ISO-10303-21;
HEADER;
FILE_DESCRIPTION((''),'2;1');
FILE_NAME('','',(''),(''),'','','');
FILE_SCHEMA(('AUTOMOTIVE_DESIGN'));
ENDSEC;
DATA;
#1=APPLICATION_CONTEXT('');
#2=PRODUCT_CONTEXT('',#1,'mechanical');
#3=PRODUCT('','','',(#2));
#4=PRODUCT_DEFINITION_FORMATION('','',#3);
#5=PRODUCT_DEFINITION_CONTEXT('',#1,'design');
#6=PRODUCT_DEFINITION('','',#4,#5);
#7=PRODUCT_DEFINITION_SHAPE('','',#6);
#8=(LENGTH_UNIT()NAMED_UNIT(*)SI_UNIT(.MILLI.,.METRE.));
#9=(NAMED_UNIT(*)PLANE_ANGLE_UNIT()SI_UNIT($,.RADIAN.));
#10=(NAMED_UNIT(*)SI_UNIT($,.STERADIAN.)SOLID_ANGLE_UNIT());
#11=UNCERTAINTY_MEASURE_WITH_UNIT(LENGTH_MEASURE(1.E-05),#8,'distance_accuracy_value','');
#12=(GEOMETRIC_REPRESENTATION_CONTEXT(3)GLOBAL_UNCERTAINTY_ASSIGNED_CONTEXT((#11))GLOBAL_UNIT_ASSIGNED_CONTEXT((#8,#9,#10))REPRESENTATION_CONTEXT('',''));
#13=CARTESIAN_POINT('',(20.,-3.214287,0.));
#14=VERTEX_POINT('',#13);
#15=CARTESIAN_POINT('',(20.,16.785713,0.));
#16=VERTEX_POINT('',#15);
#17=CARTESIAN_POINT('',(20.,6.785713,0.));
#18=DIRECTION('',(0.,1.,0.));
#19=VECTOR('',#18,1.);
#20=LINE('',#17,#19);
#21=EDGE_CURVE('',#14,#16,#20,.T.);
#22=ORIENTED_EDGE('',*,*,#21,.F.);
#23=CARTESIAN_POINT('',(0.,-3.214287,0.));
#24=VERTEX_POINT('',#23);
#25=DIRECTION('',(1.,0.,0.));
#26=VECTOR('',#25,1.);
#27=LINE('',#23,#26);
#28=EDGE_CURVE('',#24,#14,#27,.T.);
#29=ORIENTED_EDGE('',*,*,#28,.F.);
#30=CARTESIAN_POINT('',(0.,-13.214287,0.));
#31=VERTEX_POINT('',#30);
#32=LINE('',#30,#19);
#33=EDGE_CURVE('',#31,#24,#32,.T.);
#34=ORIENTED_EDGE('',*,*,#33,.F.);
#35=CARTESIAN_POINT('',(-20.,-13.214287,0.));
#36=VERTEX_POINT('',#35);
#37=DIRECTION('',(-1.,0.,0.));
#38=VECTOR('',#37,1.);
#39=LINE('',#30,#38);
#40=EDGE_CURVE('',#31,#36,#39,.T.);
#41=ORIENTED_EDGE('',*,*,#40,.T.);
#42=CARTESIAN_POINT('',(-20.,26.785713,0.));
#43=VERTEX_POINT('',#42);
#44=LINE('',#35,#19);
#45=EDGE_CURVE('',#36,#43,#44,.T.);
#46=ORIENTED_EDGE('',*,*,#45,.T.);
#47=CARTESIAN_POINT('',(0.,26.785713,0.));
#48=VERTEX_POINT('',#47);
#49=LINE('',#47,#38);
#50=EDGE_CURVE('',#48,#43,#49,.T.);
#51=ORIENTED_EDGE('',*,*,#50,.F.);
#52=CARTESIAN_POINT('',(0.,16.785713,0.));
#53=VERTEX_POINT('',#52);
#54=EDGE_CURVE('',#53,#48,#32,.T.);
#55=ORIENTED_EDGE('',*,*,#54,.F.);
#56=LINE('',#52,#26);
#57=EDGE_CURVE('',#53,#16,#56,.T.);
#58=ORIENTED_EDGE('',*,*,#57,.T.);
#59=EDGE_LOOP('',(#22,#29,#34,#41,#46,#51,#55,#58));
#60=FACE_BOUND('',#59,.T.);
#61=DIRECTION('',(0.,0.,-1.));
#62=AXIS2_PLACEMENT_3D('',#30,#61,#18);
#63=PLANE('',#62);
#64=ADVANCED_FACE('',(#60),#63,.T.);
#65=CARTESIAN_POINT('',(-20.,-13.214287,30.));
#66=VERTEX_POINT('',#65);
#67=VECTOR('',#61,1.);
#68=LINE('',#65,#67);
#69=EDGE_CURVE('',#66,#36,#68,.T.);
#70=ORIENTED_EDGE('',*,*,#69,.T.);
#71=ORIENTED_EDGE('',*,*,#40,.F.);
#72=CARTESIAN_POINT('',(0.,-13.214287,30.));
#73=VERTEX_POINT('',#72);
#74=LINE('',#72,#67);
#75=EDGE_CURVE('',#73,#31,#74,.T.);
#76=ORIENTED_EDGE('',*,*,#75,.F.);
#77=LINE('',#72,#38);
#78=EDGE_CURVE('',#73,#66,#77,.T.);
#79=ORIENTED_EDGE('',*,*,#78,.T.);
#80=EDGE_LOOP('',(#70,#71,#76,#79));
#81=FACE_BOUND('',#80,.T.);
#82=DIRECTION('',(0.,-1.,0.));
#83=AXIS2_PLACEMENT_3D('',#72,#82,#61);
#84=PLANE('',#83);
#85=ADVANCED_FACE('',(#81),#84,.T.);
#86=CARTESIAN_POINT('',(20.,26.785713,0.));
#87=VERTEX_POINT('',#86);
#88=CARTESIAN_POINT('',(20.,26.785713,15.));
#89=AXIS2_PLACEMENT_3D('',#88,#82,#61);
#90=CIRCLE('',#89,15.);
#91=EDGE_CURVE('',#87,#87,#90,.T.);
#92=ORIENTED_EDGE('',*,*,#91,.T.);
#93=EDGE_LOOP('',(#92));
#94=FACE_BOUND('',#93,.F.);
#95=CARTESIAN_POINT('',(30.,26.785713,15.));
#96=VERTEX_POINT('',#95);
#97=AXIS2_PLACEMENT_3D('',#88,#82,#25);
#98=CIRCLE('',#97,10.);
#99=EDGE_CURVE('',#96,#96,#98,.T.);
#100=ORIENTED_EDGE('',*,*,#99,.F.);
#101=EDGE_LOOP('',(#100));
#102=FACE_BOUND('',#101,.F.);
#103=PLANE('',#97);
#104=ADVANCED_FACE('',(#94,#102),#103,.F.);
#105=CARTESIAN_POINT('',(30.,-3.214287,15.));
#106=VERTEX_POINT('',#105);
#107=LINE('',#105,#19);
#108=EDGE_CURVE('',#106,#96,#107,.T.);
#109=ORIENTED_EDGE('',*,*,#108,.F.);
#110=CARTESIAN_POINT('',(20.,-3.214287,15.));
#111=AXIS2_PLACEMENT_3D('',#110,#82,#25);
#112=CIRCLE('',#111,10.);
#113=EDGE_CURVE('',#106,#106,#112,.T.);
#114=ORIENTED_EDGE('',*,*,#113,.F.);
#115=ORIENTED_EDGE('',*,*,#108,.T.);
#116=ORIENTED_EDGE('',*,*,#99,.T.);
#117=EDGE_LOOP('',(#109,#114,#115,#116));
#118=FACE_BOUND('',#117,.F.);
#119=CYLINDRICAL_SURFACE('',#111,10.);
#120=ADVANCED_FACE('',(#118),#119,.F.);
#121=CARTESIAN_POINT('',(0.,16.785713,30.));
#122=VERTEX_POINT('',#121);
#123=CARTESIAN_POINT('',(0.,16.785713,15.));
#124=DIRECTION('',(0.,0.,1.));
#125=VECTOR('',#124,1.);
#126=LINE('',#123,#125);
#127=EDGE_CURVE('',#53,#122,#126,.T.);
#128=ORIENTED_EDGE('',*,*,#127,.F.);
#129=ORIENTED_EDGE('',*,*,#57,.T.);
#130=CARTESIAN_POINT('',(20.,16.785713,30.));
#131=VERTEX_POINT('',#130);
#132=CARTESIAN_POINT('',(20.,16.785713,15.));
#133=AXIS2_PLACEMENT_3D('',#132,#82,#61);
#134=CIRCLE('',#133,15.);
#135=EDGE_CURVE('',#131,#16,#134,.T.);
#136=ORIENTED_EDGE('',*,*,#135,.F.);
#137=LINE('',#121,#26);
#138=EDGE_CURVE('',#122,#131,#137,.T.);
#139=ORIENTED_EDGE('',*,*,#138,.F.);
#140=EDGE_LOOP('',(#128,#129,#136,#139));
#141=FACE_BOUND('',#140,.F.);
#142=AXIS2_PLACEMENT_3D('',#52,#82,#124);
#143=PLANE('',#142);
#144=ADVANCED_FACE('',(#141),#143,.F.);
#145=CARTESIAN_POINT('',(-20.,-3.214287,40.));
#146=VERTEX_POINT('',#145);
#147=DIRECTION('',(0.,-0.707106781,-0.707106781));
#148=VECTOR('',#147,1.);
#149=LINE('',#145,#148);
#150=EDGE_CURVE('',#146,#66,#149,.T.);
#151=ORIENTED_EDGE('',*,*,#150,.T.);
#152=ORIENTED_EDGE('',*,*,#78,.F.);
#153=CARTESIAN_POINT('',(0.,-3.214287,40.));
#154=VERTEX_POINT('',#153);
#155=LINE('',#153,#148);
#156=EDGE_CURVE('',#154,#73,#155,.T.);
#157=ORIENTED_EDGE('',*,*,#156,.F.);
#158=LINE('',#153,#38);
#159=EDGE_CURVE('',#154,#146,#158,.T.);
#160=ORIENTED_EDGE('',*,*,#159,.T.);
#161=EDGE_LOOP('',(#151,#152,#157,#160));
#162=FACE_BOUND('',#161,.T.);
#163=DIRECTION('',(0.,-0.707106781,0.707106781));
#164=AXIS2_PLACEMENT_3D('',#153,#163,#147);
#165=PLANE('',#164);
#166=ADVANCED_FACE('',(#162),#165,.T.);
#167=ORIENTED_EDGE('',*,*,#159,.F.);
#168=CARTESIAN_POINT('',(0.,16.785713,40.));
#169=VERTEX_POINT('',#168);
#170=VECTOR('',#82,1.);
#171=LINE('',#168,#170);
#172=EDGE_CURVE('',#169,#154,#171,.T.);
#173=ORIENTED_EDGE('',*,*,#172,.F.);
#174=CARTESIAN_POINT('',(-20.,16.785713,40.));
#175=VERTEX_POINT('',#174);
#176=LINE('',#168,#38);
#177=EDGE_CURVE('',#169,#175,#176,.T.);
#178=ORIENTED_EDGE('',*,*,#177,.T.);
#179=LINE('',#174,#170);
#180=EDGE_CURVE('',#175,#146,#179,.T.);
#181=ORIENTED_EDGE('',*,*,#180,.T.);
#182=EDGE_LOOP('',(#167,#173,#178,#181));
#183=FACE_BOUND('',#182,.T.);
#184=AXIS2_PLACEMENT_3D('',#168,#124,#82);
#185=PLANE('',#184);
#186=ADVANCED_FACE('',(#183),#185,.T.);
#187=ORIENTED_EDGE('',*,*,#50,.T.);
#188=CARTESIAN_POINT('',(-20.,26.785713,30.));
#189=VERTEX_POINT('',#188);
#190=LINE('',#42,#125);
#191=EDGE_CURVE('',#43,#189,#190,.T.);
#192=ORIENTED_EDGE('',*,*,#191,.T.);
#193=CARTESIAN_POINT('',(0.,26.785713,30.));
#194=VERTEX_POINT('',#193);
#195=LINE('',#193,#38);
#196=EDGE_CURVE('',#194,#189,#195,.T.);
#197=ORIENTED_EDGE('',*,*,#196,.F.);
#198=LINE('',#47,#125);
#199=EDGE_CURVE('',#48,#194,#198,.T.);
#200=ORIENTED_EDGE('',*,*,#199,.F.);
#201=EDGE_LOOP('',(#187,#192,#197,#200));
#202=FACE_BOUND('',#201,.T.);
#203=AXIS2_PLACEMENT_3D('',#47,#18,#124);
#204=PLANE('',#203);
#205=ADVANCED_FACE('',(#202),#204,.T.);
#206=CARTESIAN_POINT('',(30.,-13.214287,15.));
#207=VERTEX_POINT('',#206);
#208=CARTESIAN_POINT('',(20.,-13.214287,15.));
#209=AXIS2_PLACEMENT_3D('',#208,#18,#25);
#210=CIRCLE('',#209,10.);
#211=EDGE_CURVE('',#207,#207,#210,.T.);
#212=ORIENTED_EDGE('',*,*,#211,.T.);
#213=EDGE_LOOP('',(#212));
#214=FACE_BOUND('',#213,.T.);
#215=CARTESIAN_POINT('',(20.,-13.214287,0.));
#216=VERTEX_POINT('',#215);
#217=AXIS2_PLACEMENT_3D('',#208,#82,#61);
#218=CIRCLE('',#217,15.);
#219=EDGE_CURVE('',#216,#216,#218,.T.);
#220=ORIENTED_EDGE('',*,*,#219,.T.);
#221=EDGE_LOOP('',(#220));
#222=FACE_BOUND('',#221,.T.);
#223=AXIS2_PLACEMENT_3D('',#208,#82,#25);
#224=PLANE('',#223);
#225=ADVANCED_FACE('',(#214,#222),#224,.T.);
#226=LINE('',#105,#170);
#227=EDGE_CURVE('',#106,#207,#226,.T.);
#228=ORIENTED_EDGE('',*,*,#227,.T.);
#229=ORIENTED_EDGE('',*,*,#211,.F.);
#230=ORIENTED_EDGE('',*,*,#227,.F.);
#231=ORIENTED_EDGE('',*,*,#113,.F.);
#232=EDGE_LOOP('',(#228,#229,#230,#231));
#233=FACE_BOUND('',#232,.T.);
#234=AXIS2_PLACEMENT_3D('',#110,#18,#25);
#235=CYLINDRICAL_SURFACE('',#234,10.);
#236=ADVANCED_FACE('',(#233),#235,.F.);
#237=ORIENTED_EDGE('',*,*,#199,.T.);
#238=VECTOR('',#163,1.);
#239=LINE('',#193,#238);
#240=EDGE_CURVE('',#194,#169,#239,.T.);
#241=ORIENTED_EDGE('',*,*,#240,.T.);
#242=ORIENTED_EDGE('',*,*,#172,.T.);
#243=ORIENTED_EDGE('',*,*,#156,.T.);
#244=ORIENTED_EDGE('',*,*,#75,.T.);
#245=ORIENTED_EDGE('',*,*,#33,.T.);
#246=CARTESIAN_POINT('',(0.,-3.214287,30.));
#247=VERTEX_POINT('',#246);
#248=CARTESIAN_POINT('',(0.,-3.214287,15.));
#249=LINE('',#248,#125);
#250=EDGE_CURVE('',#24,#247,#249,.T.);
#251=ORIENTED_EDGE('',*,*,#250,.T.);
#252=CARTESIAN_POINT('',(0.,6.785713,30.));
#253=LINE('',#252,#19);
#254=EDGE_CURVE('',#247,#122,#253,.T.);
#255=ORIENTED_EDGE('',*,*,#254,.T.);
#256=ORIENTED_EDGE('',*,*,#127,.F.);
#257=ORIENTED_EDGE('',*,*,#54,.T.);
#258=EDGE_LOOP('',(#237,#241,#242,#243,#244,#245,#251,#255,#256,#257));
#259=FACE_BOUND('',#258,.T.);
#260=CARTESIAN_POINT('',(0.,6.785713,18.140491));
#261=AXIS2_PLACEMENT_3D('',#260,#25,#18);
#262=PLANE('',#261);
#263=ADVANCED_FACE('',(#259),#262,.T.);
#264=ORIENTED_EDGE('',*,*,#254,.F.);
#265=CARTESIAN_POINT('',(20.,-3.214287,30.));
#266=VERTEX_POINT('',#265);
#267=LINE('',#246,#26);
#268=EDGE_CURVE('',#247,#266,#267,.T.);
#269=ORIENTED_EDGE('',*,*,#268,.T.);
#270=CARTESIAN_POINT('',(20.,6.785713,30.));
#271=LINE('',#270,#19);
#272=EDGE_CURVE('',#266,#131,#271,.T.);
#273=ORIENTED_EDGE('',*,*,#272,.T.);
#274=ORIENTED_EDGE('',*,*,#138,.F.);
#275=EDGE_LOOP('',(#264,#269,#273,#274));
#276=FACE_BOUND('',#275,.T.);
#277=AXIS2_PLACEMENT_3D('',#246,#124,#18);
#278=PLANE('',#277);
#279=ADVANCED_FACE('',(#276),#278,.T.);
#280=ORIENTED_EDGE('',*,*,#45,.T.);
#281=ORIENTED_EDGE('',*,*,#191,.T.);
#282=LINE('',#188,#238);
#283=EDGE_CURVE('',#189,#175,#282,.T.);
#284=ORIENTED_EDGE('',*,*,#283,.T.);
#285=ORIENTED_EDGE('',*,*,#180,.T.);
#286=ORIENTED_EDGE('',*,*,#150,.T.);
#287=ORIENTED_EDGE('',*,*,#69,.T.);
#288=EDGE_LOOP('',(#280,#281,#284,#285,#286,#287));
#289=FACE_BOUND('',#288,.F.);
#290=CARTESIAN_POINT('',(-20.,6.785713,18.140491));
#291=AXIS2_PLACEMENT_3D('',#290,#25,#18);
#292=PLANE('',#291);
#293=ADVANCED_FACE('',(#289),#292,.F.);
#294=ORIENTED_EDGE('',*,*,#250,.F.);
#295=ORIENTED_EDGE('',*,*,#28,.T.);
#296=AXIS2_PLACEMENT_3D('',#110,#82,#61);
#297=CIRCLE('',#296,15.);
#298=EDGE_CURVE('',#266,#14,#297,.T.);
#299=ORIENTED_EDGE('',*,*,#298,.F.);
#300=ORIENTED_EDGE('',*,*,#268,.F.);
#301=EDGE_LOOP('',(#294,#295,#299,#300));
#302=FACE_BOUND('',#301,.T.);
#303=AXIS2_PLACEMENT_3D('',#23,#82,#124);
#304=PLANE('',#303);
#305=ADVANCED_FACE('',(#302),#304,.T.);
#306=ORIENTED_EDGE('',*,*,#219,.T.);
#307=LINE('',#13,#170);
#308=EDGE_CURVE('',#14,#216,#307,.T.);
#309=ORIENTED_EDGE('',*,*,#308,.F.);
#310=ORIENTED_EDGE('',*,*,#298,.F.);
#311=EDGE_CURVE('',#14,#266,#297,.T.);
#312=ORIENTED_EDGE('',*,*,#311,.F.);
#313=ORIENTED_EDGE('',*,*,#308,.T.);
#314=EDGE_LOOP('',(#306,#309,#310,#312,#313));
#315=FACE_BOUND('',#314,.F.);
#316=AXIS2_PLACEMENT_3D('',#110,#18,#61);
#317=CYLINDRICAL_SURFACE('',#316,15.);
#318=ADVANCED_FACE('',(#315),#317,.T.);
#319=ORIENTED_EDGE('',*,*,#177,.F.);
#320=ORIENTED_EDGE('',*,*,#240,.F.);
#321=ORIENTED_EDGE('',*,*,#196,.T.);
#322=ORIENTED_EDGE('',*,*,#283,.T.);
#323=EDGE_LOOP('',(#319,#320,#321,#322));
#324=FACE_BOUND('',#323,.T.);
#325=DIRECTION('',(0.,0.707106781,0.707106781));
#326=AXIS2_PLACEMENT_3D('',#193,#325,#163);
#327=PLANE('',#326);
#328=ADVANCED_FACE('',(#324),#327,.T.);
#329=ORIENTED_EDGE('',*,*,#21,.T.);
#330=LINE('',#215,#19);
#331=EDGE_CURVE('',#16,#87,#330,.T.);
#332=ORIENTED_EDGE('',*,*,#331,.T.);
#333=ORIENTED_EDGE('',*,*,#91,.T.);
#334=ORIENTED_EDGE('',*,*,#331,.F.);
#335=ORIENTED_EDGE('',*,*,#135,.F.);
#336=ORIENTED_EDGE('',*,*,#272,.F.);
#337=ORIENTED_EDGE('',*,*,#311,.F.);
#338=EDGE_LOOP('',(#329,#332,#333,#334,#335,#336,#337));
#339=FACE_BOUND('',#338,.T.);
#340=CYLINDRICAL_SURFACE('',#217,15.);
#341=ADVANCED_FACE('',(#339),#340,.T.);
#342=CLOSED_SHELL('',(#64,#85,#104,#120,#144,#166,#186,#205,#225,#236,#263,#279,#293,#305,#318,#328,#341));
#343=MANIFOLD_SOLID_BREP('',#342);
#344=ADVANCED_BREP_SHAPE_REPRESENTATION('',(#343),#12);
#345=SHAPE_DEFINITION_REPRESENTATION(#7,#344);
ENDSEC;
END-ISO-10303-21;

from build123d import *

# Parameters (mm, degrees)
F1_DEPTH = 20
F2_W     = 20
F2_H     = 30
F3_DEPTH = 20
F5_DEPTH = 10
F6_DEPTH = 40
F7_R     = 10
F8_DEPTH = 30.001
F9_DEPTH = 10.001


with BuildPart() as f1:
    # F0 (on Right) → F1 (new body)
    with BuildSketch(Plane.YZ):
        Polygon((-13.2142865657, 0), (26.7857134343, 0), (26.7857134343, 30), (16.7857134343, 40), (-3.2142865657, 40), (-13.2142865657, 30), align=None)
    extrude(amount=-F1_DEPTH)

    # F2 (on face) → F3 (join)
    with BuildSketch(Plane.YZ):
        with Locations((6.7857134343, 15)):
            Rectangle(F2_W, F2_H)
    extrude(amount=F3_DEPTH)

    # F4 (on face) → F5 (join)
    with BuildSketch(Plane.XZ.offset(3.2142865657)):
        with BuildLine():
            ThreePointArc((35, 15), (30.6066017178, 25.6066017178), (20, 30))
            ThreePointArc((20, 30), (5, 15), (20, 0))
            ThreePointArc((20, 0), (30.6066017178, 4.3933982822), (35, 15))
        make_face()
    extrude(amount=F5_DEPTH)

    # F6 (add): a face of the model
    f6_faces = [f1.faces().sort_by_distance(p)[0] for p in [
        (20, -13.2142865657, 15),
    ]]
    extrude(f6_faces, amount=-F6_DEPTH)

    # F7 (on face) → F8 (cut, through all)
    with BuildSketch(Plane.XZ.offset(3.2142865657)):
        with Locations((20, 15)):
            Circle(F7_R)
    extrude(amount=-F8_DEPTH, mode=Mode.SUBTRACT)

    # F7 (on face) → F9 (cut, through all)
    with BuildSketch(Plane.XZ.offset(3.2142865657)):
        with Locations((20, 15)):
            Circle(F7_R)
    extrude(amount=F9_DEPTH, mode=Mode.SUBTRACT)


solid = f1.part
